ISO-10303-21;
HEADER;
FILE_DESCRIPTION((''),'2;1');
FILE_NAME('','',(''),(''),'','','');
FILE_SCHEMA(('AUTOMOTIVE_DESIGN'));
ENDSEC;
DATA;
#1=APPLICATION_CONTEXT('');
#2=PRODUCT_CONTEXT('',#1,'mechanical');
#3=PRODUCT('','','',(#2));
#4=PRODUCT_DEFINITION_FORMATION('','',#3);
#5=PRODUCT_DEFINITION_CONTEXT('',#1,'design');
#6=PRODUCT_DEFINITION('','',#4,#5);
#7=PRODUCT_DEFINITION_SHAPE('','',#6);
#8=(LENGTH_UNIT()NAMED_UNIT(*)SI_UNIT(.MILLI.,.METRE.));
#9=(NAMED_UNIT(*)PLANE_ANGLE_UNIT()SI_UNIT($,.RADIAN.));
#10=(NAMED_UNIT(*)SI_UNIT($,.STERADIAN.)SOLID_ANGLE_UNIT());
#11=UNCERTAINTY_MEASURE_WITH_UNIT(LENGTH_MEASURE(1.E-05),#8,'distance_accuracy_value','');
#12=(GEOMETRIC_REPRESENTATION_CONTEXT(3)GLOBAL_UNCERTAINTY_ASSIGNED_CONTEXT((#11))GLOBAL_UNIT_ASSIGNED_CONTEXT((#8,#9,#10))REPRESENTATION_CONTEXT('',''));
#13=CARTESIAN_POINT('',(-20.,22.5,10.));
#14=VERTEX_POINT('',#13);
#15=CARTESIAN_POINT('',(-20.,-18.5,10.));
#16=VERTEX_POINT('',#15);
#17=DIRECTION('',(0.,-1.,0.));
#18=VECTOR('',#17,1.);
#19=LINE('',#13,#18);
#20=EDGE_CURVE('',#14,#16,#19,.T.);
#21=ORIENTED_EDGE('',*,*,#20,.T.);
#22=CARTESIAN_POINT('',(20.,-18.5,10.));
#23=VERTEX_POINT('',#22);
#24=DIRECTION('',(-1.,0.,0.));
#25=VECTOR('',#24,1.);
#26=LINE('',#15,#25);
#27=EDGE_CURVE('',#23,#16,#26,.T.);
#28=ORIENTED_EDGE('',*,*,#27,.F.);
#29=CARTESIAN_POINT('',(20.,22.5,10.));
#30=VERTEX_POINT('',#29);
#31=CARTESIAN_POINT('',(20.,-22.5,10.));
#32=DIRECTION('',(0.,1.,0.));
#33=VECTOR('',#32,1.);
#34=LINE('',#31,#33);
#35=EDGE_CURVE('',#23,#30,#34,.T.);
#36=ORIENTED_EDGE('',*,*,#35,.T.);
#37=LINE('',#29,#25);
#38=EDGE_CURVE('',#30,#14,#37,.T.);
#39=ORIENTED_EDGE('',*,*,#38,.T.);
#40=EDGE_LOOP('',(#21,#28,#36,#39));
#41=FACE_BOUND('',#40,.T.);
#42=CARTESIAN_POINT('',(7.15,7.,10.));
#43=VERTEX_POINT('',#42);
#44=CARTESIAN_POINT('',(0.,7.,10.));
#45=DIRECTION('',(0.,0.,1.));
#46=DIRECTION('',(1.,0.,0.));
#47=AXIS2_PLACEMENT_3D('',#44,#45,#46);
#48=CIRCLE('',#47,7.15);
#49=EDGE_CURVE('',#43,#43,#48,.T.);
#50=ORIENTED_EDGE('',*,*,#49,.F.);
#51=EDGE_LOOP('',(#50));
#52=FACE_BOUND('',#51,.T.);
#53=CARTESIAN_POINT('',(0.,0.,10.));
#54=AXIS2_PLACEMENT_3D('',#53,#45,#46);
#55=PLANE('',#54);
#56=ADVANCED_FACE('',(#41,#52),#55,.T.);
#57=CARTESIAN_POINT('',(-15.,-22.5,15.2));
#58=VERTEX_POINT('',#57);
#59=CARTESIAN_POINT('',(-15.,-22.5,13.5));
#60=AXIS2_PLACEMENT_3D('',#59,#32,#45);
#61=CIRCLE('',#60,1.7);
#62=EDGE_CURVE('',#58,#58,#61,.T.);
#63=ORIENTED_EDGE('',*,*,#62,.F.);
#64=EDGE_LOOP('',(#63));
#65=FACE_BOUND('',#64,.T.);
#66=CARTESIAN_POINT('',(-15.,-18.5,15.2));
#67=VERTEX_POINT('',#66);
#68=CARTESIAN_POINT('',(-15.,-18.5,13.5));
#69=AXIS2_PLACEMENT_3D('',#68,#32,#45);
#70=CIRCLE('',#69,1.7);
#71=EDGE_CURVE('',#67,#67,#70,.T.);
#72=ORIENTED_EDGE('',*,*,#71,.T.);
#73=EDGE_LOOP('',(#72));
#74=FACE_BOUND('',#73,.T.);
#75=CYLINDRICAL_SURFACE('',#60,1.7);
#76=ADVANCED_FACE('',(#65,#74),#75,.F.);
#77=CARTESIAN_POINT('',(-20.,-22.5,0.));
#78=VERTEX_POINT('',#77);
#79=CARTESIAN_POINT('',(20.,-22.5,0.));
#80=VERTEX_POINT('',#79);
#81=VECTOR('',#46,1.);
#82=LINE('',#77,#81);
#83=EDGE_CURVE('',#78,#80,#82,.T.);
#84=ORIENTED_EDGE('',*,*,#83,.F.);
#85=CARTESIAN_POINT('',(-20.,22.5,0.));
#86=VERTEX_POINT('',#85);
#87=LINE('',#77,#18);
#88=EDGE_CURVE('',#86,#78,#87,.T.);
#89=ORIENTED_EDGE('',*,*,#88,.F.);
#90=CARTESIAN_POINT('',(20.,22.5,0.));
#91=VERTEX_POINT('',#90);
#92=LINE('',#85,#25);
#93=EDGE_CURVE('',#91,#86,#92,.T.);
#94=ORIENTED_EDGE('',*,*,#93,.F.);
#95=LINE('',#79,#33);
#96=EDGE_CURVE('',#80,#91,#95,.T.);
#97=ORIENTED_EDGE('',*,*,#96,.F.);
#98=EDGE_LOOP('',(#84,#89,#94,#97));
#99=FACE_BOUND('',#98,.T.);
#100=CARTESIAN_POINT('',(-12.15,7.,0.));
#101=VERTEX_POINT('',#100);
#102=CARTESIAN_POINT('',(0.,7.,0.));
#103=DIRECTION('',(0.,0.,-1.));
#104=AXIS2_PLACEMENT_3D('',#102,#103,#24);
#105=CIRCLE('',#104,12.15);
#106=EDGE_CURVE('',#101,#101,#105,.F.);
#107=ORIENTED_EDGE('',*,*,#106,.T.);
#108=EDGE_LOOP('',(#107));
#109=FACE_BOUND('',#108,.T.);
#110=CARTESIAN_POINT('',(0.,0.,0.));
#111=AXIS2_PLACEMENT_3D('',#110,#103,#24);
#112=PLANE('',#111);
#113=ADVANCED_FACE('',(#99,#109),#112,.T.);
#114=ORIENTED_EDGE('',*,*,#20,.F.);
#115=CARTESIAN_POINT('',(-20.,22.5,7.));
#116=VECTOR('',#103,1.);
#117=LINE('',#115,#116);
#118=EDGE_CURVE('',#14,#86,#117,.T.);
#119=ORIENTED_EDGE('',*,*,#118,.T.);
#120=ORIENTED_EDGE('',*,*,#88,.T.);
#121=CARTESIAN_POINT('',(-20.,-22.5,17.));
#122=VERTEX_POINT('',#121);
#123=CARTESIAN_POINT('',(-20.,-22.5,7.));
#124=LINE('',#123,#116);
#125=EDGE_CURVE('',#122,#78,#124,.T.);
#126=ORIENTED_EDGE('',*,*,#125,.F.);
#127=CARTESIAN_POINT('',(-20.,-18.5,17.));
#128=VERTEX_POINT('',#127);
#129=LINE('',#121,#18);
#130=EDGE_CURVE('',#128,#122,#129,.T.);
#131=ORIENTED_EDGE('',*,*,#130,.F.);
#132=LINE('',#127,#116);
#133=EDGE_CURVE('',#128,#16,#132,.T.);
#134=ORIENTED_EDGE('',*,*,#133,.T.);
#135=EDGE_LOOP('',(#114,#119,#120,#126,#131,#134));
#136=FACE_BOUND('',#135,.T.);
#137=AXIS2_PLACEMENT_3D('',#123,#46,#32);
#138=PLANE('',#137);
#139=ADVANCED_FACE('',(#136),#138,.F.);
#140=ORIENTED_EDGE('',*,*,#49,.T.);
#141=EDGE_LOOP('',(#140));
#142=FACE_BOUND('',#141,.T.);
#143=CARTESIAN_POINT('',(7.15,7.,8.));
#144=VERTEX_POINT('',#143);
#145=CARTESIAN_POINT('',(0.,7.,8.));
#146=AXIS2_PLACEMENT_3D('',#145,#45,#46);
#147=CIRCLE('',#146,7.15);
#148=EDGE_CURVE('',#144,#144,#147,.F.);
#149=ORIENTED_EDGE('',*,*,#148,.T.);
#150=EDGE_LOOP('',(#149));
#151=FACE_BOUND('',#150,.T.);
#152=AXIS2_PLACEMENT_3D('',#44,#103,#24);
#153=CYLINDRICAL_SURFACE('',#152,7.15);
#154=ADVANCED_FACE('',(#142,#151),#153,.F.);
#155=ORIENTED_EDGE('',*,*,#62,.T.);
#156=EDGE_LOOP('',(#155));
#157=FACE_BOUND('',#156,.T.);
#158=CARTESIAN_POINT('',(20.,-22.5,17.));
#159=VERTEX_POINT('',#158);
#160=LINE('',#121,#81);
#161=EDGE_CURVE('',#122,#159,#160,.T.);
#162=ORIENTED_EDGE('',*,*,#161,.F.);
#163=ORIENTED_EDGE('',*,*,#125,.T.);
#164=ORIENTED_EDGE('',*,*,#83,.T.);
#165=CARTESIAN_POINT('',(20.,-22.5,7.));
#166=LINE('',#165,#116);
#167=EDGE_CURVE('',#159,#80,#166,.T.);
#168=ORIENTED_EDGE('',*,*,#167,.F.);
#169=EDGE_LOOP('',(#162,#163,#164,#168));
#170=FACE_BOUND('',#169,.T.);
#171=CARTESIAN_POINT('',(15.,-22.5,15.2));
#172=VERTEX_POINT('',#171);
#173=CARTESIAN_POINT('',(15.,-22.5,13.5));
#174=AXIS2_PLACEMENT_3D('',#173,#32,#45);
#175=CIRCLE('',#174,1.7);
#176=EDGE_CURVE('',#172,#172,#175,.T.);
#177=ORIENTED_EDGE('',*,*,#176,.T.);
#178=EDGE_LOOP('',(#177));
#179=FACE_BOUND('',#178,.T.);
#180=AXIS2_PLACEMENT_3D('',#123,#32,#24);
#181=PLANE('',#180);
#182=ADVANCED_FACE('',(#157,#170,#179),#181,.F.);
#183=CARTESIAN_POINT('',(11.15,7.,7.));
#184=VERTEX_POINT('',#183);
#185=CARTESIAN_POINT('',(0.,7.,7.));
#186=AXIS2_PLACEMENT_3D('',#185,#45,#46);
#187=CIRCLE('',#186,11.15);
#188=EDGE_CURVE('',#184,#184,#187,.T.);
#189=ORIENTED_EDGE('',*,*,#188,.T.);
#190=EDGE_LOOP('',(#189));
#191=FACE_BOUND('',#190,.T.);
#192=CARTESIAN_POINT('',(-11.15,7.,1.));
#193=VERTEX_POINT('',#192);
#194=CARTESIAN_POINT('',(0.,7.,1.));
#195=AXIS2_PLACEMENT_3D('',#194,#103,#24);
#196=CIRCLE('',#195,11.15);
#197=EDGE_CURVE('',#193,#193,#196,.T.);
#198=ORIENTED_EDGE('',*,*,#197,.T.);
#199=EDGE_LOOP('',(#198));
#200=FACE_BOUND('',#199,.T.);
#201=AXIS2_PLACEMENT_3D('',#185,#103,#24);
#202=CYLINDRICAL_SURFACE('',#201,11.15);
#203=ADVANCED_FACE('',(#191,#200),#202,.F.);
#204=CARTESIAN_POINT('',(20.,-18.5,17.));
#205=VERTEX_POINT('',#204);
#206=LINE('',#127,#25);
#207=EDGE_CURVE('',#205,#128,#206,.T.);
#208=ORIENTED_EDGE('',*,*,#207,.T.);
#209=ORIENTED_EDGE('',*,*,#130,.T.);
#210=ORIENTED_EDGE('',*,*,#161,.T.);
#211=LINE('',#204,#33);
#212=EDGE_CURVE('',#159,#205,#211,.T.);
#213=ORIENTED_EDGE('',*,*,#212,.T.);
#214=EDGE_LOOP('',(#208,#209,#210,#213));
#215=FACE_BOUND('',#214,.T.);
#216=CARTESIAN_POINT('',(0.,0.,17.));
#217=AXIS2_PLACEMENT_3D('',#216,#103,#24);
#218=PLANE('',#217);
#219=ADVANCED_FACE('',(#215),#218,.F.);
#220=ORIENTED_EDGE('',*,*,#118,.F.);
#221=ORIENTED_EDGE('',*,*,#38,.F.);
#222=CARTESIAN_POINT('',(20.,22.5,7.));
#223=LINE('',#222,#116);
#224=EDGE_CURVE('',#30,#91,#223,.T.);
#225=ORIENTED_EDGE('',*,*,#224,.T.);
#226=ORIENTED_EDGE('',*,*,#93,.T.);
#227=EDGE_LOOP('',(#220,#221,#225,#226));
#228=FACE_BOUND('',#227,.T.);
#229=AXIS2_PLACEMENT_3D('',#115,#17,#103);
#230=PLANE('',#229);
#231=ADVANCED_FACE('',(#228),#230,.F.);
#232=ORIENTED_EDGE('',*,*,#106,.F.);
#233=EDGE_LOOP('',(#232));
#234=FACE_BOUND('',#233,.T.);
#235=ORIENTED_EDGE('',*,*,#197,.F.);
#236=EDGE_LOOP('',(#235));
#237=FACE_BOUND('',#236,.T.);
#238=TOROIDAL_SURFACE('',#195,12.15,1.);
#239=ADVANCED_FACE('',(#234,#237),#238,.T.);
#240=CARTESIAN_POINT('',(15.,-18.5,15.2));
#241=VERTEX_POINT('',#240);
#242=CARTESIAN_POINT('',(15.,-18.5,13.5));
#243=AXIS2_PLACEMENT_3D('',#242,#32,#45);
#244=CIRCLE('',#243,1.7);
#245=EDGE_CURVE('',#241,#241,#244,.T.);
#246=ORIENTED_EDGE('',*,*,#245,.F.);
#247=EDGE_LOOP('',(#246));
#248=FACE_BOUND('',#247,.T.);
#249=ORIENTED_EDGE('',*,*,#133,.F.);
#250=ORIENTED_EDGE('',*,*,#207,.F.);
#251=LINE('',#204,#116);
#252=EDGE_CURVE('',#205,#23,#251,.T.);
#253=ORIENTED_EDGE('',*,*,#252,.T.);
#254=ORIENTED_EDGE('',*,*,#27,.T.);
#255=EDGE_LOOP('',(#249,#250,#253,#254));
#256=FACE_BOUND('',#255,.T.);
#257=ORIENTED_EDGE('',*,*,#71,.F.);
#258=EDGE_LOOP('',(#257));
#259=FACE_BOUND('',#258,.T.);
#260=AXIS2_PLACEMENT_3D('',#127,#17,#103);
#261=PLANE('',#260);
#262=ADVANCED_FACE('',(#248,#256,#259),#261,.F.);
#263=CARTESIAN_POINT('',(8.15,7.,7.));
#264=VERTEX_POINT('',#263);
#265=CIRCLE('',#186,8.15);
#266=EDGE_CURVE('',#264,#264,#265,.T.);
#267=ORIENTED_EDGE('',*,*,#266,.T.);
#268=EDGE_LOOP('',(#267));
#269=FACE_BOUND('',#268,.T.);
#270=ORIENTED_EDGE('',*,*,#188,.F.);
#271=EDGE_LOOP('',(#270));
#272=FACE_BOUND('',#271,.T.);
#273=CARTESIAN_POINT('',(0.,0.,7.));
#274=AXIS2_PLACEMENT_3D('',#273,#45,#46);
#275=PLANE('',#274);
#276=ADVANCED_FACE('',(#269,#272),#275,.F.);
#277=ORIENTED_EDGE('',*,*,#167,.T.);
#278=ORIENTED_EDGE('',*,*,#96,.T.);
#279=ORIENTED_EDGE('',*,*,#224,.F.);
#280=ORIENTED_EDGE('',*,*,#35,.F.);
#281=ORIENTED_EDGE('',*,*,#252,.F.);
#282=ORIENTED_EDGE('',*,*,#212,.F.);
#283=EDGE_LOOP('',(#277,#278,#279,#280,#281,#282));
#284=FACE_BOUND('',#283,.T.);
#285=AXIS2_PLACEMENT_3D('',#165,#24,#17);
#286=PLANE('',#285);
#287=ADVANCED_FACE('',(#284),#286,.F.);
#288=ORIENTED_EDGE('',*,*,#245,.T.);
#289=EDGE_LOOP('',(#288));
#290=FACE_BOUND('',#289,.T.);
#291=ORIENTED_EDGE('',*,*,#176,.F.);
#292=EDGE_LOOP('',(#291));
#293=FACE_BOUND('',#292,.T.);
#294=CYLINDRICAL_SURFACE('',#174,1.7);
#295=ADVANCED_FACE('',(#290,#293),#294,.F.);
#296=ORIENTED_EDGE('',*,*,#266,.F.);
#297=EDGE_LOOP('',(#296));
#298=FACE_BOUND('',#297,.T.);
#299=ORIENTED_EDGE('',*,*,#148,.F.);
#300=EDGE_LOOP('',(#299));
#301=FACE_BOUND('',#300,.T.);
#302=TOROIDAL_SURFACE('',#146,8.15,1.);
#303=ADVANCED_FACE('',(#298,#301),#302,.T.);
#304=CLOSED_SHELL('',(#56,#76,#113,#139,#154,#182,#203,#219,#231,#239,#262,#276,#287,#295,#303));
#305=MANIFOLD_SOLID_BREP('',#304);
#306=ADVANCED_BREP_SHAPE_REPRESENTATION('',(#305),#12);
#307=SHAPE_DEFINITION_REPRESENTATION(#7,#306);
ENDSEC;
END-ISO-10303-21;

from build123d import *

# Parameters (mm, degrees)
SKETCH1_W           = 40
SKETCH1_H           = 45
SKETCH1_R           = 11.15
BOSS_EXTRUDE1_DEPTH = 7
SKETCH2_W           = 40
SKETCH2_H           = 45
SKETCH2_R           = 7.15
BOSS_EXTRUDE2_DEPTH = 3
FILLET1_R           = 1
SKETCH3_W           = 40
SKETCH3_H           = 4
BOSS_EXTRUDE3_DEPTH = 7
SKETCH4_R           = 1.7
CUT_EXTRUDE1_DEPTH  = 49.682645779


with BuildPart() as part:
    # Sketch1 → Boss-Extrude1 (new body)
    with BuildSketch(Plane.XY):
        Rectangle(SKETCH1_W, SKETCH1_H)
        with Locations((0, 7)):
            Circle(SKETCH1_R, mode=Mode.SUBTRACT)
    extrude(amount=BOSS_EXTRUDE1_DEPTH)

    # Sketch2 → Boss-Extrude2 (add)
    with BuildSketch(Plane.XY.offset(7)):
        Rectangle(SKETCH2_W, SKETCH2_H)
        with Locations((0, 7)):
            Circle(SKETCH2_R, mode=Mode.SUBTRACT)
    extrude(amount=BOSS_EXTRUDE2_DEPTH)

    # Fillet1
    fillet1_edges = [part.edges().sort_by_distance(p)[0] for p in [
        (-11.15, 7, 0),
        (-7.15, 7, 7),
    ]]
    fillet(fillet1_edges, radius=FILLET1_R)

    # Sketch3 → Boss-Extrude3 (add)
    with BuildSketch(Plane.XY.offset(10)):
        with Locations((0, -20.5)):
            Rectangle(SKETCH3_W, SKETCH3_H)
    extrude(amount=BOSS_EXTRUDE3_DEPTH)

    # Sketch4 → Cut-Extrude1 (cut, through all)
    with BuildSketch(Plane(origin=(0, -18.5, 0), x_dir=(1, 0, 0), z_dir=(0, 1, 0))):
        with Locations(Location((-15, -13.5, 0), (0, 0, 270))):
            Circle(SKETCH4_R)
        with Locations(Location((15, -13.5, 0), (0, 0, 270))):
            Circle(SKETCH4_R)
    extrude(amount=-CUT_EXTRUDE1_DEPTH, mode=Mode.SUBTRACT)


solid = part.part
